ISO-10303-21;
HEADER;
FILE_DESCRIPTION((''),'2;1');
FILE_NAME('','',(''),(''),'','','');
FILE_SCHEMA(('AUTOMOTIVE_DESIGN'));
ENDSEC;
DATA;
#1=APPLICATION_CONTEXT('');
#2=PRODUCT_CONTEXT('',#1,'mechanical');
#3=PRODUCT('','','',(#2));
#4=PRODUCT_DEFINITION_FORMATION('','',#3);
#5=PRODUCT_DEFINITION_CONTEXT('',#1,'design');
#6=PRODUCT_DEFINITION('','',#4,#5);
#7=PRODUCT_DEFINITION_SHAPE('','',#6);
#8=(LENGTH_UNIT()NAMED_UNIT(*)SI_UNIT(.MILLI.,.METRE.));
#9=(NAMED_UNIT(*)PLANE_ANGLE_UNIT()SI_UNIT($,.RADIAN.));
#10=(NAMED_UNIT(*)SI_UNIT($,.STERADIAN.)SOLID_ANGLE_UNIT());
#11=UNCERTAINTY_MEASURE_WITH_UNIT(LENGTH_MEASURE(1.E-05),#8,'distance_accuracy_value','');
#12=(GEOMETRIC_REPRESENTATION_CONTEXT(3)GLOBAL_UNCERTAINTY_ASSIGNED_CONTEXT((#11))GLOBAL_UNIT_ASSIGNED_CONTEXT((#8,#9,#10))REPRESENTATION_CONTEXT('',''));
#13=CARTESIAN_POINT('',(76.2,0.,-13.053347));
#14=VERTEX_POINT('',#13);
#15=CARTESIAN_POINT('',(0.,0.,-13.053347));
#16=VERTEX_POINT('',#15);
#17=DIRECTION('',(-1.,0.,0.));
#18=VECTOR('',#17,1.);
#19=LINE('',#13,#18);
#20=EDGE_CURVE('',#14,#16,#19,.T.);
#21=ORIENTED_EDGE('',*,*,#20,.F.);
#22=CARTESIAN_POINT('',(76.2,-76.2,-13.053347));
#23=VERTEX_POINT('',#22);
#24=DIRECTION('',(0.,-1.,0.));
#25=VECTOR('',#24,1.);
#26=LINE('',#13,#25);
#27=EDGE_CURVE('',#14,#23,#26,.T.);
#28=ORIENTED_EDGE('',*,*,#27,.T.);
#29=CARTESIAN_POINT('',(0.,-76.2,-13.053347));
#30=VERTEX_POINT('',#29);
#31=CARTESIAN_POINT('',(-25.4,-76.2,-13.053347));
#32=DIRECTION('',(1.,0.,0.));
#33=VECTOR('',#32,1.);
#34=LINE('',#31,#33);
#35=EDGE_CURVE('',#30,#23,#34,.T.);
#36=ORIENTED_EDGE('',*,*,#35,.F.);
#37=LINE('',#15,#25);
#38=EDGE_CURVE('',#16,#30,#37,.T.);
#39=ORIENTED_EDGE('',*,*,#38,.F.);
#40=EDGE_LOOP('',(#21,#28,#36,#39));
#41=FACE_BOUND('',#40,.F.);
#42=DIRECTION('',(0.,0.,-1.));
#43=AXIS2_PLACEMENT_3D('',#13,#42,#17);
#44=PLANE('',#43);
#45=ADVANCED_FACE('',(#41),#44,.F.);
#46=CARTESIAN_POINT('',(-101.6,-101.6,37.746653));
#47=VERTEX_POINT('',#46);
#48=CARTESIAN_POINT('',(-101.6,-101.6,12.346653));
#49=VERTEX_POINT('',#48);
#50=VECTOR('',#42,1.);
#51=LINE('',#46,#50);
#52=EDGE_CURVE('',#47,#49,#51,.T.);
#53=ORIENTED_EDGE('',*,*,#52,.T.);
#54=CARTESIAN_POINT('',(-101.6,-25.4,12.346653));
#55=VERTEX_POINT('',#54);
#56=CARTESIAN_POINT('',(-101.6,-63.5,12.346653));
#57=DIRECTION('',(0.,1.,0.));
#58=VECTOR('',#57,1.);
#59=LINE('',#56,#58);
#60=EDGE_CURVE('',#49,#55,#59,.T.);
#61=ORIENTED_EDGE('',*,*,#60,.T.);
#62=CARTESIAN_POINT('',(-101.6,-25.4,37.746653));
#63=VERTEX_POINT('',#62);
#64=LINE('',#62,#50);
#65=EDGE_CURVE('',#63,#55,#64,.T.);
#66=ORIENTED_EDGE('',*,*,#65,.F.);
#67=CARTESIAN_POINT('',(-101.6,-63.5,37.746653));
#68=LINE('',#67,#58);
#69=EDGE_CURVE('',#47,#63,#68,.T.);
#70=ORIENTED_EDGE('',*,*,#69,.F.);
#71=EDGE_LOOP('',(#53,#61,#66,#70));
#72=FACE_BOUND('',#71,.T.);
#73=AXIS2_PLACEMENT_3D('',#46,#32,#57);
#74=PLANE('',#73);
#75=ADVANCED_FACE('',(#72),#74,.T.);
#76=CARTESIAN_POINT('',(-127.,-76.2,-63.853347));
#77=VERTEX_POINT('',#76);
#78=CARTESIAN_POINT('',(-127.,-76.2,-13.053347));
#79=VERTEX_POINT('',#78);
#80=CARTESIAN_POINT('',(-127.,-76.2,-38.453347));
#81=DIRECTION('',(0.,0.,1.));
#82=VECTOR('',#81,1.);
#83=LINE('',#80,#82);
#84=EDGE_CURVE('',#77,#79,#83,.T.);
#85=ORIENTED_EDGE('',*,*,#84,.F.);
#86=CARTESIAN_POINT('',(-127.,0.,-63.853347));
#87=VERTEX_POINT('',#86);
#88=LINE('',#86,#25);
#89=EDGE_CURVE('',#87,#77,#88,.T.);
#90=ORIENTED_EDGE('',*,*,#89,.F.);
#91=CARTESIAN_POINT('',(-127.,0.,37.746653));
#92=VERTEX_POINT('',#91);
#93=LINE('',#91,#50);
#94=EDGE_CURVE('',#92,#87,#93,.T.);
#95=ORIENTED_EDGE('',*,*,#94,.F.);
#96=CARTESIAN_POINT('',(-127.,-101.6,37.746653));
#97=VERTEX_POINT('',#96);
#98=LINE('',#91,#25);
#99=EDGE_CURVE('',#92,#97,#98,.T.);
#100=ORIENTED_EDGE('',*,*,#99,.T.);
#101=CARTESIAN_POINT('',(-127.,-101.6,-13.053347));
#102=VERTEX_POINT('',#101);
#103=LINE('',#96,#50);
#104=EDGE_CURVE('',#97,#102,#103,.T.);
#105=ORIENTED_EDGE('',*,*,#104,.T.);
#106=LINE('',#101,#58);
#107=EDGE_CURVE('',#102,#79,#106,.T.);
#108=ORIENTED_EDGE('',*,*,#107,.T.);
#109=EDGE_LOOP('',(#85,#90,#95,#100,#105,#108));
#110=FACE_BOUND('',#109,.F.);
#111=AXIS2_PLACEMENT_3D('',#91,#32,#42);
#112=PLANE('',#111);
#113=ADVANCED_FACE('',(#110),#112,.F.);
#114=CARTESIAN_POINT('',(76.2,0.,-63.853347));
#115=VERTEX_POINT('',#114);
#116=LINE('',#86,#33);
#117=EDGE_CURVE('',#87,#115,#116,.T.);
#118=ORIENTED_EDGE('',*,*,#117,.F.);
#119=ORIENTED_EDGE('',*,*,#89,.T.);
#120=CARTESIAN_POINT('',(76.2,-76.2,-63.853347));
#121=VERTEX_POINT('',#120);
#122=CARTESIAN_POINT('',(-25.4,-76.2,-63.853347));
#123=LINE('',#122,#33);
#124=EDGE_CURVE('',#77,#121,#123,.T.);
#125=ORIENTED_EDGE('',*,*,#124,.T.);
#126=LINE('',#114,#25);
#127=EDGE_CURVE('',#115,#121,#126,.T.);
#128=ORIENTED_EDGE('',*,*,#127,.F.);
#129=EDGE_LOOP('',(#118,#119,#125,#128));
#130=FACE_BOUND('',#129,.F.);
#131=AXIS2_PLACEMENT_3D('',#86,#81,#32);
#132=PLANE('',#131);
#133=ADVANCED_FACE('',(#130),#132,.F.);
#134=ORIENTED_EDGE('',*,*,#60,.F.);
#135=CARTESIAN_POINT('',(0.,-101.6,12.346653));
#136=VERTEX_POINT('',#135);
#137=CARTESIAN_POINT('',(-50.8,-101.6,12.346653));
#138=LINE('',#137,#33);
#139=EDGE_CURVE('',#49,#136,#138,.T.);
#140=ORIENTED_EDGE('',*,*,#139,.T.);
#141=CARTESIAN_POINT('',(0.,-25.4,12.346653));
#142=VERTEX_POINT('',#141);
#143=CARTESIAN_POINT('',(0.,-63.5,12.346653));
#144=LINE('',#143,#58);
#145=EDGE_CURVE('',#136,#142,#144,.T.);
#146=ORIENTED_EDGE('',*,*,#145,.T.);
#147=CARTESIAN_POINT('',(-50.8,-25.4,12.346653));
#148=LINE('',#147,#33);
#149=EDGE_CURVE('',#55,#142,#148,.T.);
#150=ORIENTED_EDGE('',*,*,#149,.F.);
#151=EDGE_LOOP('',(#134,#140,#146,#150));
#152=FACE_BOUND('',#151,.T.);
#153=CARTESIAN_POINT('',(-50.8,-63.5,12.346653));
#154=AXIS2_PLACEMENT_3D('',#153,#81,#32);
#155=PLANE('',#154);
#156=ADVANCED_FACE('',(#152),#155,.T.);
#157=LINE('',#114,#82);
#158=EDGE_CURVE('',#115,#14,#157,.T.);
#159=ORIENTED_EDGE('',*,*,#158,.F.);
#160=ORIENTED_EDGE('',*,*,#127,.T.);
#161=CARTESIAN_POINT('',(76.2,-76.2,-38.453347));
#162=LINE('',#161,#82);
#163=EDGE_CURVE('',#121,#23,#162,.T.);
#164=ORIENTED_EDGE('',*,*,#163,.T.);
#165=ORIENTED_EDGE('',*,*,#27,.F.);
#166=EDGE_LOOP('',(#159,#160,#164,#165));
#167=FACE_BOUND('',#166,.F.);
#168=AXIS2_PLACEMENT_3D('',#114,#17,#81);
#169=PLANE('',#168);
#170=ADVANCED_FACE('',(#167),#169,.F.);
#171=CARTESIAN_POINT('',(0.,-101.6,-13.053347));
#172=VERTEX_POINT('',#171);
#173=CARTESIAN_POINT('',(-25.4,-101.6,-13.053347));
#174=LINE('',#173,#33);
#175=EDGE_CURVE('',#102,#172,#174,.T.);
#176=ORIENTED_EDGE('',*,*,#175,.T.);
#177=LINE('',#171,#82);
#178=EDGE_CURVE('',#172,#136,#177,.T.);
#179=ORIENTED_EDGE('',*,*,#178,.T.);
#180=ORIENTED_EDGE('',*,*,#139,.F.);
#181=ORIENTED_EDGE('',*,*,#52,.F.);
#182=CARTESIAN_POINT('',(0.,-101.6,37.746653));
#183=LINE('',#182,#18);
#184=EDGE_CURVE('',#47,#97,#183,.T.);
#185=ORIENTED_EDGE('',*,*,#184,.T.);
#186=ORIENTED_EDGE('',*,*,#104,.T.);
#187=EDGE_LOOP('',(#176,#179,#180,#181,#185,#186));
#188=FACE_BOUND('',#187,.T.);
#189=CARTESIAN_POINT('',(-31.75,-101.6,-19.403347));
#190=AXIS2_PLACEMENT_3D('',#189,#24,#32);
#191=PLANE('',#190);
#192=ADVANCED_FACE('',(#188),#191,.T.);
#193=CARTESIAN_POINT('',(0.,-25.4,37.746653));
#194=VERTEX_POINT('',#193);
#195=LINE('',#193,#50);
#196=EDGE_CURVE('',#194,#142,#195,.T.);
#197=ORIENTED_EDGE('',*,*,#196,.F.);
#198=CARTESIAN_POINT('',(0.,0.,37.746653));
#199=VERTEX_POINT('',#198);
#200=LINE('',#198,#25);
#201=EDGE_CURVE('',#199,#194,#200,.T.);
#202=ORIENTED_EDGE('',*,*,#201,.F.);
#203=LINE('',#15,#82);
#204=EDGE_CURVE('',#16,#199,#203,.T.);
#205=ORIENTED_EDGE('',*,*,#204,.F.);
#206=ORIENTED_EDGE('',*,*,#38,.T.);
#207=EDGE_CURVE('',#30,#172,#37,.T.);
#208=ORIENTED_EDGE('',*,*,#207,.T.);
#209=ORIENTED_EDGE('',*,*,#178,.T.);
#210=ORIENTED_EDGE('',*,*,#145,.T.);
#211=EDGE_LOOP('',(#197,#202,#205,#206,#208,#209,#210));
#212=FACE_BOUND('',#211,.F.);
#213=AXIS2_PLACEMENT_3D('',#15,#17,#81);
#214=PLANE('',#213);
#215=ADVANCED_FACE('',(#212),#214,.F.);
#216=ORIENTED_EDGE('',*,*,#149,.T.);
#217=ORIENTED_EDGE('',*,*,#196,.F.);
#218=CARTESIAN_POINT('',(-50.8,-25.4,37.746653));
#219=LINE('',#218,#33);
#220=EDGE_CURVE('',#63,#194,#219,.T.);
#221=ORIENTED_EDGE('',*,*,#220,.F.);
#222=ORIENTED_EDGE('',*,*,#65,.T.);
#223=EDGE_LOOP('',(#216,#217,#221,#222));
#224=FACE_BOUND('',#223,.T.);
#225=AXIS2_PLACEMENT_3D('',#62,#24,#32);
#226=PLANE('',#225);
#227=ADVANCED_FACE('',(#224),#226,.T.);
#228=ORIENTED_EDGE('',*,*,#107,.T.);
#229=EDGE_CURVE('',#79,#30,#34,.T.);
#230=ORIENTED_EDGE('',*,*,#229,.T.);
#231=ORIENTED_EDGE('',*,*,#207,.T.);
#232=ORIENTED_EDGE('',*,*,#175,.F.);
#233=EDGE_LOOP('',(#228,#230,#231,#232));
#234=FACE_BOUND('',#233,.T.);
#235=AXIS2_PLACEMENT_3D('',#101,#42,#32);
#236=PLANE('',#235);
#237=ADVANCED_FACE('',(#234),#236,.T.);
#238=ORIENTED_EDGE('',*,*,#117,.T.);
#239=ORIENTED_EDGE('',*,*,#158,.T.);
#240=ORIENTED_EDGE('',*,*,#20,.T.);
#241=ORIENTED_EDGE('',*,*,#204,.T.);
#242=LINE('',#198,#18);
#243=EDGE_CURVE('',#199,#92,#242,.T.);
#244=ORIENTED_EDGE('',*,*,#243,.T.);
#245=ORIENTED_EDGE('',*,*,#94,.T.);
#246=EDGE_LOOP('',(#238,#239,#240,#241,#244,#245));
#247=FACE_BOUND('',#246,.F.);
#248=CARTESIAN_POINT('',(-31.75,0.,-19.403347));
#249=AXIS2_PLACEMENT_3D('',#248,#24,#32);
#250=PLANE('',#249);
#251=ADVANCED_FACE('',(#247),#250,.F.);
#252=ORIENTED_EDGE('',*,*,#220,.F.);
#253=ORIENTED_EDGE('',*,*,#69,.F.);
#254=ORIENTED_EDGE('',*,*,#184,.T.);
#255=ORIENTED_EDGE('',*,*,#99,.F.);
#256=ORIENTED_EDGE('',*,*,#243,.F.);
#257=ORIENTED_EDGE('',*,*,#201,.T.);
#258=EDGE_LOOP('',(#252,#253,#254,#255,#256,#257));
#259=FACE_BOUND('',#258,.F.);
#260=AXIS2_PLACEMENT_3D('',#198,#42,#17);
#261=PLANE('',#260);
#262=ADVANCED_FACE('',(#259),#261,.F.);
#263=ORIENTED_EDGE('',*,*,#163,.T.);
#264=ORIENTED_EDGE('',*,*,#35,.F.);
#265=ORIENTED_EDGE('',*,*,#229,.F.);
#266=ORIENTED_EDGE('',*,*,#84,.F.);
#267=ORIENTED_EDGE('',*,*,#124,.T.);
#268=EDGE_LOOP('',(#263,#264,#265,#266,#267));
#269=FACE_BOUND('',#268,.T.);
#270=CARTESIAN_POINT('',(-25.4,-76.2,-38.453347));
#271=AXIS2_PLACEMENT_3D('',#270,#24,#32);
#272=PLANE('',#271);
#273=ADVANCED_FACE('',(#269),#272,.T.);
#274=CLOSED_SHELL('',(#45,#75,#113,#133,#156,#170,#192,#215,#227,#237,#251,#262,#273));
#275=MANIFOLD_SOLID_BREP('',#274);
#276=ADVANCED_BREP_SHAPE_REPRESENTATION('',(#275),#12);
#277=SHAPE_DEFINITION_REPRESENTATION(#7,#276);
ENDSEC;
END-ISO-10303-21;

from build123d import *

# Parameters (mm, degrees)
F1_DEPTH = 101.6
F2_W     = 101.6
F2_H     = 76.2
F3_DEPTH = 25.4
F4_W     = 203.2
F4_H     = 50.8
F5_DEPTH = 25.4


with BuildPart() as f1:
    # F0 (on Front) → F1 (new body)
    with BuildSketch(Plane.XZ):
        Polygon((0, 37.746653), (-127, 37.746653), (-127, -63.853347), (76.2, -63.853347), (76.2, -13.053347), (0, -13.053347), align=None)
    extrude(amount=F1_DEPTH)

    # F2 (on face) → F3 (cut)
    with BuildSketch(Plane.XY.offset(37.746653)):
        with Locations((-50.8, -63.5)):
            Rectangle(F2_W, F2_H)
    extrude(amount=-F3_DEPTH, mode=Mode.SUBTRACT)

    # F4 (on face) → F5 (cut)
    with BuildSketch(Plane.XZ.offset(101.6)):
        with Locations((-25.4, -38.453347)):
            Rectangle(F4_W, F4_H)
    extrude(amount=-F5_DEPTH, mode=Mode.SUBTRACT)


solid = f1.part
